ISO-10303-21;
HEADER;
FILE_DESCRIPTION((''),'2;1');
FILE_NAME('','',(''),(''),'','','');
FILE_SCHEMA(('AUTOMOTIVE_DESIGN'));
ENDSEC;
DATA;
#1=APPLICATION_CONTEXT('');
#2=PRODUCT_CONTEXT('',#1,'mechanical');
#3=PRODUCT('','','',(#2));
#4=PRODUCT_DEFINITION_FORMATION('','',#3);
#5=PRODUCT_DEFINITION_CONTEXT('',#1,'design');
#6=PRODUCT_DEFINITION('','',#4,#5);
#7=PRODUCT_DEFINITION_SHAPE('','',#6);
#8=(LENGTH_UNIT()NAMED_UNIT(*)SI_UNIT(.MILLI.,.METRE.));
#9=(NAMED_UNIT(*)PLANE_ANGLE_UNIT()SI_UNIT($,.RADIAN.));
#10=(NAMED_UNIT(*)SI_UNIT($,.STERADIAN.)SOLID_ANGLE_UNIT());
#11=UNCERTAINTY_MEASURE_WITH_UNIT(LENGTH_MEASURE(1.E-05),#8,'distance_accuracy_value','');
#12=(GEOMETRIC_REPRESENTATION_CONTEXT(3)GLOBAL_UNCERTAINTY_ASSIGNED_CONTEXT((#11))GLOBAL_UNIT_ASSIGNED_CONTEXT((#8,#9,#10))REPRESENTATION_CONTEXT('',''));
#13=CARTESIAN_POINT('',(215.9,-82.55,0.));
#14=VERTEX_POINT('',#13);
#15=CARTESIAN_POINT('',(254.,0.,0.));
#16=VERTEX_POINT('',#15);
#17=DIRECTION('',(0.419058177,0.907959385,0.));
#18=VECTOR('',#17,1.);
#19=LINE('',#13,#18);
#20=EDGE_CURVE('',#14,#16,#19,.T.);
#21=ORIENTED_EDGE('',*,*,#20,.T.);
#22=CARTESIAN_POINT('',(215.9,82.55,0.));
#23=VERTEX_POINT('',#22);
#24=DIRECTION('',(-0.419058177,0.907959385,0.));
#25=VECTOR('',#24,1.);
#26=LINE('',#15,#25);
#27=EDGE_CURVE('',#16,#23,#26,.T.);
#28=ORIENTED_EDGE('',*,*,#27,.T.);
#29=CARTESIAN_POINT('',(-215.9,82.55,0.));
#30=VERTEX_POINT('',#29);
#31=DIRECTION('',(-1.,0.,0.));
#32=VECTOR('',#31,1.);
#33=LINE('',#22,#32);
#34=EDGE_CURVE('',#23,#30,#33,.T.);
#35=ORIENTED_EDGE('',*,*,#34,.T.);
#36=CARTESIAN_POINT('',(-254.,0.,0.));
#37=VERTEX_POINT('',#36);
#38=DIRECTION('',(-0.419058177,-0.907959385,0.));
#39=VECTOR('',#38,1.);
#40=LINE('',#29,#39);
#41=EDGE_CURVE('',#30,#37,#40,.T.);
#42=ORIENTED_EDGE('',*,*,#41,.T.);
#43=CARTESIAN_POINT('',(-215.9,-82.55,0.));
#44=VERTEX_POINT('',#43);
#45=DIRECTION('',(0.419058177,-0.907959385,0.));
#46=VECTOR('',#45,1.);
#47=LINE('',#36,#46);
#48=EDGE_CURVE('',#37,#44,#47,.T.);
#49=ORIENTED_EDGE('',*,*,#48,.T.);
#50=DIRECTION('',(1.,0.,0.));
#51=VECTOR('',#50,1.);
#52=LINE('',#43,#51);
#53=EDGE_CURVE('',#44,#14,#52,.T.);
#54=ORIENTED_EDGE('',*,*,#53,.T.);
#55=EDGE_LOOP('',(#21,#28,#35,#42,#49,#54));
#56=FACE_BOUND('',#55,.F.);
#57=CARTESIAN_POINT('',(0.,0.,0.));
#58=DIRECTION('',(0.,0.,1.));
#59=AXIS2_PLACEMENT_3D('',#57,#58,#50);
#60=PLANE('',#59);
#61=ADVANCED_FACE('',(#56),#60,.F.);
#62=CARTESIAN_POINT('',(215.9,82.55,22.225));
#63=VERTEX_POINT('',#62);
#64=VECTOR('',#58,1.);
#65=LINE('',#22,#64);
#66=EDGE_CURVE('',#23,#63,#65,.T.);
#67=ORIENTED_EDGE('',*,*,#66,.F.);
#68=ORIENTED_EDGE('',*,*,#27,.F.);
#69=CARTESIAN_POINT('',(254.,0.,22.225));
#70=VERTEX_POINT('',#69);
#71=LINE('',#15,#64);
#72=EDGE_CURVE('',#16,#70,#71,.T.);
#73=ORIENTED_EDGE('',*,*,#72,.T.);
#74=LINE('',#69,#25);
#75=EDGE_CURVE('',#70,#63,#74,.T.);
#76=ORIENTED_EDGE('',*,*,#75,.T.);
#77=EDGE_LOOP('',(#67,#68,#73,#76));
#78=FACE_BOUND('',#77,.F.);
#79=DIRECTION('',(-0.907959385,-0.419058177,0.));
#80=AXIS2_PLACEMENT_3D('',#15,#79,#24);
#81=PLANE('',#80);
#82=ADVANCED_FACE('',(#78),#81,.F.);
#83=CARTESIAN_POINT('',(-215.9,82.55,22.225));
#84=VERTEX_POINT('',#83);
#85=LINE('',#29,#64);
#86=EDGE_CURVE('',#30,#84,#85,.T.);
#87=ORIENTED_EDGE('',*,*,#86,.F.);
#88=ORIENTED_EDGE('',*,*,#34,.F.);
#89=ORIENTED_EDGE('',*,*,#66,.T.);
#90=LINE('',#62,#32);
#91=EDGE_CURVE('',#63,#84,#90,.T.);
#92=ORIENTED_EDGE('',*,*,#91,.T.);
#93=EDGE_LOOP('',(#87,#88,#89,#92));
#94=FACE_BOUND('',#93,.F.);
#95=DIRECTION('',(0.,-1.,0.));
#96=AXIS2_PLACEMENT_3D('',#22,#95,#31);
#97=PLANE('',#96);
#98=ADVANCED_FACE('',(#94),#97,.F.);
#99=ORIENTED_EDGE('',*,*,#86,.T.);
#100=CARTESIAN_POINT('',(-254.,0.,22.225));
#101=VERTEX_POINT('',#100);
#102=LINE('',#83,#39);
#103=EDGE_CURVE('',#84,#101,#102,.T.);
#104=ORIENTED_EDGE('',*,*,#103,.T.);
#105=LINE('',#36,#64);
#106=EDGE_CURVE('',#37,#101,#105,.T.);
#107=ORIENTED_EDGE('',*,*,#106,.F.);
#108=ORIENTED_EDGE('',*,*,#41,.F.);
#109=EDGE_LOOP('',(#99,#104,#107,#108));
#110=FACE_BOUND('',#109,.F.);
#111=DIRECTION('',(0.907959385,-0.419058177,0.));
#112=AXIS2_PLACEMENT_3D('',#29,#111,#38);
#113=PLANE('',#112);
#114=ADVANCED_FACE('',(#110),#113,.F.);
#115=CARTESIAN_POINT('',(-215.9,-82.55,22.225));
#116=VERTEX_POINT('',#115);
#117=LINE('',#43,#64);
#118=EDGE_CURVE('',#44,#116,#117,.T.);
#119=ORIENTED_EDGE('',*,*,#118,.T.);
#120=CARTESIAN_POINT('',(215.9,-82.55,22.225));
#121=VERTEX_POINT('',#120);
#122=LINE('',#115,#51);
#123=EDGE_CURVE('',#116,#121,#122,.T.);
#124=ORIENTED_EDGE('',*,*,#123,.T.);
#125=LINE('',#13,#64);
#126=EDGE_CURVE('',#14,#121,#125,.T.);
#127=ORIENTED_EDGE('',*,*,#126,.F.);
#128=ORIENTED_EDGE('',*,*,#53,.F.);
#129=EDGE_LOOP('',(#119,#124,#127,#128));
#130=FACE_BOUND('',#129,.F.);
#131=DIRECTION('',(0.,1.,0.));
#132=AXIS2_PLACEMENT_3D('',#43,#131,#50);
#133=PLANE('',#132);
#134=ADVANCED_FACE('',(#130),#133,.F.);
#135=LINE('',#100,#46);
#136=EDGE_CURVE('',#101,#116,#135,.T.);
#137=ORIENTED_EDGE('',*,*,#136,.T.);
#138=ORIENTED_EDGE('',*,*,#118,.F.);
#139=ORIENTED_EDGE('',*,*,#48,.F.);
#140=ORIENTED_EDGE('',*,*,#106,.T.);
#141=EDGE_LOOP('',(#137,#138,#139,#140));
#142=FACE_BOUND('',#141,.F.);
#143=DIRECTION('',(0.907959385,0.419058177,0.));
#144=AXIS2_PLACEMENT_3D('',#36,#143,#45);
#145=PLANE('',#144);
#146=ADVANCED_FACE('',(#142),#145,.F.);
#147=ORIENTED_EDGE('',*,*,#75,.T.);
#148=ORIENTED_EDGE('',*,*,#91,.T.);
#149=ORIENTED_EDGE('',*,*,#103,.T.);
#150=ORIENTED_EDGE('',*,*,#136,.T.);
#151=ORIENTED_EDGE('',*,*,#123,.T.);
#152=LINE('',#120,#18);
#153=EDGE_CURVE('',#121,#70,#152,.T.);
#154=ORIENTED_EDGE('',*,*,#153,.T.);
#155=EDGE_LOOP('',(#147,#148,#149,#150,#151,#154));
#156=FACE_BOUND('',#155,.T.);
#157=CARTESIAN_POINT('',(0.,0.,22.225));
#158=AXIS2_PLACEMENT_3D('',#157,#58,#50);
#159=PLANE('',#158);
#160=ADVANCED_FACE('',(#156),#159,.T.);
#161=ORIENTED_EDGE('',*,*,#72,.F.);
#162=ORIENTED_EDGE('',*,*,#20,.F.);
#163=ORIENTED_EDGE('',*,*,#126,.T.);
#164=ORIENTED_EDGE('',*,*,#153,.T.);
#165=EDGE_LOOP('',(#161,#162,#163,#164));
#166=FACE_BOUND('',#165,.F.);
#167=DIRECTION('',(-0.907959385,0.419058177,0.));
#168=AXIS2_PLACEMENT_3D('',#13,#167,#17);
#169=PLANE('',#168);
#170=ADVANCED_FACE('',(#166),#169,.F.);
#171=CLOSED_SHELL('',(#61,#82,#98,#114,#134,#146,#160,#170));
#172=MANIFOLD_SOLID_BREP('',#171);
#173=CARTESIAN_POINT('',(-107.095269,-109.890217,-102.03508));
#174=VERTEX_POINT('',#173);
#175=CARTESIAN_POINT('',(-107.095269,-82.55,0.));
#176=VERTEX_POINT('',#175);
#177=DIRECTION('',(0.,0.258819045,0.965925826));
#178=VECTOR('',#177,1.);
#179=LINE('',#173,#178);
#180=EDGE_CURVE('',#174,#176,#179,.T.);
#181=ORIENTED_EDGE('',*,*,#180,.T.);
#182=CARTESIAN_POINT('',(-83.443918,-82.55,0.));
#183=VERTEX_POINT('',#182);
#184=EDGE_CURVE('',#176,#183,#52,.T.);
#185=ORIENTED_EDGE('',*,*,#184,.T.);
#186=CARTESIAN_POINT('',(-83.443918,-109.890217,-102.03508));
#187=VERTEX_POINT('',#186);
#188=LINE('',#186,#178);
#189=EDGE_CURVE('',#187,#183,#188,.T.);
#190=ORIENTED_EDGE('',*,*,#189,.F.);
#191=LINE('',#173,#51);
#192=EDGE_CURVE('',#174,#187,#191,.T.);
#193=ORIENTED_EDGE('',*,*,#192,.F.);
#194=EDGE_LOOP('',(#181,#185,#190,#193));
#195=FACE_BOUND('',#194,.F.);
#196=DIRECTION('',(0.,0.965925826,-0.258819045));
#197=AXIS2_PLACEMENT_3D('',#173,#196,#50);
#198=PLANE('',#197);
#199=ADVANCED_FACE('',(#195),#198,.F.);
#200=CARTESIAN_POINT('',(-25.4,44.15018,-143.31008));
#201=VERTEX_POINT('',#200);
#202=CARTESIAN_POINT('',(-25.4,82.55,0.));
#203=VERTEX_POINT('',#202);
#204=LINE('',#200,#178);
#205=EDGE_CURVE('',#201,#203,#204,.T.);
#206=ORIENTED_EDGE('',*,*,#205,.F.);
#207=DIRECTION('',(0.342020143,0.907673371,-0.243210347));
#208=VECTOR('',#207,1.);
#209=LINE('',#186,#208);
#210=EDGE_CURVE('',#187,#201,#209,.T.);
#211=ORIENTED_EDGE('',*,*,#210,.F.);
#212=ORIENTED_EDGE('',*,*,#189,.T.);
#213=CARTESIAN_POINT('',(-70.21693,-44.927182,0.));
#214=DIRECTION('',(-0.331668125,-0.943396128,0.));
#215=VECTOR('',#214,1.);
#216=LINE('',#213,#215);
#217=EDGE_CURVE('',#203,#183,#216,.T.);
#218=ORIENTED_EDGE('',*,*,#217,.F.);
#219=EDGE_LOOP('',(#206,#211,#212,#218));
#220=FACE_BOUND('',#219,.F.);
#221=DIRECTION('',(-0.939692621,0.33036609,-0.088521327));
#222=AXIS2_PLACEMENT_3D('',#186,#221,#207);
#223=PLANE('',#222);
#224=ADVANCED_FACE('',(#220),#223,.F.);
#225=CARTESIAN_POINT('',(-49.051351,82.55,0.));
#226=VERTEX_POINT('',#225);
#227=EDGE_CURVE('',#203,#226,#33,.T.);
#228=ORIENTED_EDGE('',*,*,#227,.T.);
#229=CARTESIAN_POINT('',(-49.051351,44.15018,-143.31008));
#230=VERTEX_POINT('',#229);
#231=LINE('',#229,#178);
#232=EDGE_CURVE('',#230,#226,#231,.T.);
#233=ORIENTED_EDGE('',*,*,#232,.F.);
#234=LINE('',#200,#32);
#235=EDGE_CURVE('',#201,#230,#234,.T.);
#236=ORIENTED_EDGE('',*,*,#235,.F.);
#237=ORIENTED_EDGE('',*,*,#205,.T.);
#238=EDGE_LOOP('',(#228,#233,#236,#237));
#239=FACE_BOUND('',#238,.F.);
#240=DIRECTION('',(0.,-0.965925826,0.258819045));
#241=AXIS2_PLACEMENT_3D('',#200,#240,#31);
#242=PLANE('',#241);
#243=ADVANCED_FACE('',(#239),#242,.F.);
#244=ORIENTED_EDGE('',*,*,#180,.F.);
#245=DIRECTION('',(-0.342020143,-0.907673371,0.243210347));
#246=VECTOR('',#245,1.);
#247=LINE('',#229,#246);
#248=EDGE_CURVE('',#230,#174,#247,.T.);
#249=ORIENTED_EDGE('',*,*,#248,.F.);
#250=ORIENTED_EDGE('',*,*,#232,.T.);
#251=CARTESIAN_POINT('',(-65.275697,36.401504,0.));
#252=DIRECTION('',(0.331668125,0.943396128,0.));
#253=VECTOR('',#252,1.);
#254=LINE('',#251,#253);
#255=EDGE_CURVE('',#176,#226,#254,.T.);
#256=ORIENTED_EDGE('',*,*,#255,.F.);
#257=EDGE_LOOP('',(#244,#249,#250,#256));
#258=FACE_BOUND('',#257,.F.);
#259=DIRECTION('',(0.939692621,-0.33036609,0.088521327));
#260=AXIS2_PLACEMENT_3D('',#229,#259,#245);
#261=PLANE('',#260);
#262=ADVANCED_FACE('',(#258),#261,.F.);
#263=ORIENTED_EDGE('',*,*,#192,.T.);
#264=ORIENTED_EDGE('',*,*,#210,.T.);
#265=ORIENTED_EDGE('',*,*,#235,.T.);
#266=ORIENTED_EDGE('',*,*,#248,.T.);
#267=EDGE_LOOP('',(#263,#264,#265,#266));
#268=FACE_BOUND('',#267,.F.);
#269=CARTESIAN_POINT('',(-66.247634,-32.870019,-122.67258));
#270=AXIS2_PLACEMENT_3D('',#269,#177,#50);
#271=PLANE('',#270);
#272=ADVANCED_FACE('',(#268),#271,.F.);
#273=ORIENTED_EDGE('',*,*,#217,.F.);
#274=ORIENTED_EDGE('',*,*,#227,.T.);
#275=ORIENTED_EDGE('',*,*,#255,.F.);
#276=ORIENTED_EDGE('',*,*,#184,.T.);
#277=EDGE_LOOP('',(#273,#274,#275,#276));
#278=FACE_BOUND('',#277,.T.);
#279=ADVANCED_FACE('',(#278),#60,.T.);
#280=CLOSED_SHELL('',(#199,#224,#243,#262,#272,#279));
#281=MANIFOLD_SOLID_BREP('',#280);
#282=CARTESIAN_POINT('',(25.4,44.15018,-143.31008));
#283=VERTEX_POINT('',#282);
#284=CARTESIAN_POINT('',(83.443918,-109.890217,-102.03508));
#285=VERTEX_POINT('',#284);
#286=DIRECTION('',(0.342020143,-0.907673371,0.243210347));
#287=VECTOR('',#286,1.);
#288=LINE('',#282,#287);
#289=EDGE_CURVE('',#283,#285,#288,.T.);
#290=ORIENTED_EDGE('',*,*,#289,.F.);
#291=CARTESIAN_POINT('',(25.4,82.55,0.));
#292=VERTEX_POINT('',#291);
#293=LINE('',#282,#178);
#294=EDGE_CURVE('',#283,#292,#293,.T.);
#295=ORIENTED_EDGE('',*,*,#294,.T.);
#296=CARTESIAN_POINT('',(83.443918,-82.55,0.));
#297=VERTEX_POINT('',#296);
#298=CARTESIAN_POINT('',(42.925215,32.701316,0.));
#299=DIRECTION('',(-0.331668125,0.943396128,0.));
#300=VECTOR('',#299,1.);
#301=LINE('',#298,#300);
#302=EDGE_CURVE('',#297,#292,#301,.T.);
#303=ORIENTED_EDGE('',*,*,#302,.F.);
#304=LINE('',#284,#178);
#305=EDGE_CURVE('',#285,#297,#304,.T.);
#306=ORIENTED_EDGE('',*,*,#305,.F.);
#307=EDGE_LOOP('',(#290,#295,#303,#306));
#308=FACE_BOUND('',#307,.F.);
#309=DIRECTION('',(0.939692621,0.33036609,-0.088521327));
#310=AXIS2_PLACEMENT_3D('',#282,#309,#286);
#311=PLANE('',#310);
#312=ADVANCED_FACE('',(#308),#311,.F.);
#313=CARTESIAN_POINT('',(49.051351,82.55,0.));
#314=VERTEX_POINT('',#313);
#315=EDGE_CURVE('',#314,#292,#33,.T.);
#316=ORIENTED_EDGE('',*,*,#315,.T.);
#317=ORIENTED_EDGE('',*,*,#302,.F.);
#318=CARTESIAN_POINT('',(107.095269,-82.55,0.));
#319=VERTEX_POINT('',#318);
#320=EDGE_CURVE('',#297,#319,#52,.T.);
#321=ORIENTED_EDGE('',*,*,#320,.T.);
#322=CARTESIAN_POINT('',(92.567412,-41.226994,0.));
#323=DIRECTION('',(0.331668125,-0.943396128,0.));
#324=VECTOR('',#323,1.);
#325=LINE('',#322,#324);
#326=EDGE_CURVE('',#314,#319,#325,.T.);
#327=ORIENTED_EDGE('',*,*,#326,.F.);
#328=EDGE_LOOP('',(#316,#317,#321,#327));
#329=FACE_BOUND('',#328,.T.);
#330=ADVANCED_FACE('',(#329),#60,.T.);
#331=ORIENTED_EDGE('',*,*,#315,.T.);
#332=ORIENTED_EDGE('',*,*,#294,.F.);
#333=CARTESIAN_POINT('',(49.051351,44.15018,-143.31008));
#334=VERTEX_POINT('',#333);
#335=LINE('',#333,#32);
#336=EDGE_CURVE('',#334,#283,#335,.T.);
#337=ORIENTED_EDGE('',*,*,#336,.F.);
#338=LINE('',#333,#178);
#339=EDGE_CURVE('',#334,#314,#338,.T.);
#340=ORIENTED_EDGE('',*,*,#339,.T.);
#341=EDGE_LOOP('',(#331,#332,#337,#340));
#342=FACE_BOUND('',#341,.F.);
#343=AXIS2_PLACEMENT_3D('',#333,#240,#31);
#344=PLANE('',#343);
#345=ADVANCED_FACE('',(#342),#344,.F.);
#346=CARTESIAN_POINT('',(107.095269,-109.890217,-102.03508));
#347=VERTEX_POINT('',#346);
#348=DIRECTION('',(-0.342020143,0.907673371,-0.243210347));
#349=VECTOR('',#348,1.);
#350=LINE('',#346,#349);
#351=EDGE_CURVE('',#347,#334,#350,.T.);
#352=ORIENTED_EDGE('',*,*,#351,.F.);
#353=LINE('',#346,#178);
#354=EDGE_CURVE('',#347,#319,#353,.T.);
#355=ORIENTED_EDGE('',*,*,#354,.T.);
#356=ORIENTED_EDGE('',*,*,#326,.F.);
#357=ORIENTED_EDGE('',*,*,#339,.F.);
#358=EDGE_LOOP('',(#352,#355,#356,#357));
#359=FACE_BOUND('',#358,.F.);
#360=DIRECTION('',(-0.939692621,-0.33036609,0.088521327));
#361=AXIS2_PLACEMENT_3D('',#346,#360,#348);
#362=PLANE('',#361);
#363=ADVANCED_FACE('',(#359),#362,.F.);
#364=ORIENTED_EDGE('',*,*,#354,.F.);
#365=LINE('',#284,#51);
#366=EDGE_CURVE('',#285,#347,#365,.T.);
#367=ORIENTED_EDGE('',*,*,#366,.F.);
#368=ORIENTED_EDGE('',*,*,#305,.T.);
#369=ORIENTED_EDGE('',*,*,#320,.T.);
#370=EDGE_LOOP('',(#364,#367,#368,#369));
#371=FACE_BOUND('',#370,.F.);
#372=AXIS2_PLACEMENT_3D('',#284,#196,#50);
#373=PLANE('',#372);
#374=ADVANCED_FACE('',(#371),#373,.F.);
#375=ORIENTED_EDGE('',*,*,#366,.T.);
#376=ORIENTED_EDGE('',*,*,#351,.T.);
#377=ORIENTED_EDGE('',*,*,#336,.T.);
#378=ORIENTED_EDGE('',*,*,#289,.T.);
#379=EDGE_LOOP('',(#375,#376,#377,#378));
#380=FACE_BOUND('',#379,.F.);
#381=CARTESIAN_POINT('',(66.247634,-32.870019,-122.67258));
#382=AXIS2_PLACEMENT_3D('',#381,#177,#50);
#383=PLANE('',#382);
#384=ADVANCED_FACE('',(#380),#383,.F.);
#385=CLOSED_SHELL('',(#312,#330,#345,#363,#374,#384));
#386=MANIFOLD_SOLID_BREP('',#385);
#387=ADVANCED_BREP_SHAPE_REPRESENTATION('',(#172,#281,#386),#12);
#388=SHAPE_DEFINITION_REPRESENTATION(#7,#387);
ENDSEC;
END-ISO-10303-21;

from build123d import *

# Parameters (mm, degrees)
F1_DEPTH = 22.225


with BuildPart() as f1:
    # F0 (on Top) → F1 (new body)
    with BuildSketch(Plane.XY):
        Polygon((215.9, 82.55), (-215.9, 82.55), (-254, 0), (-215.9, -82.55), (215.9, -82.55), (254, 0), align=None)
    extrude(amount=F1_DEPTH)


with BuildPart() as f5:
    # F4 (on offset) → F5 (new body, up to the next surface of F1)
    with BuildSketch(Plane(origin=(0, -32.870018728, -122.6725799387), x_dir=(1, 0, 0), z_dir=(0, 0.2588190451, 0.9659258263))):
        Polygon((-49.0513509933, 79.7371769602), (-107.0952689491, -79.7371769602), (-83.4439179558, -79.7371769602), (-25.4, 79.7371769602), align=None)
    extrude(until=Until.NEXT, target=f1.part)


with BuildPart() as f5b:
    # F4 (on offset) → F5, piece 2 (new body, up to the next surface of F1)
    with BuildSketch(Plane(origin=(0, -32.870018728, -122.6725799387), x_dir=(1, 0, 0), z_dir=(0, 0.2588190451, 0.9659258263))):
        Polygon((25.4, 79.7371769602), (83.4439179558, -79.7371769602), (107.0952689491, -79.7371769602), (49.0513509933, 79.7371769602), align=None)
    extrude(until=Until.NEXT, target=f1.part)


solid = Compound([f1.part, f5.part, f5b.part])
